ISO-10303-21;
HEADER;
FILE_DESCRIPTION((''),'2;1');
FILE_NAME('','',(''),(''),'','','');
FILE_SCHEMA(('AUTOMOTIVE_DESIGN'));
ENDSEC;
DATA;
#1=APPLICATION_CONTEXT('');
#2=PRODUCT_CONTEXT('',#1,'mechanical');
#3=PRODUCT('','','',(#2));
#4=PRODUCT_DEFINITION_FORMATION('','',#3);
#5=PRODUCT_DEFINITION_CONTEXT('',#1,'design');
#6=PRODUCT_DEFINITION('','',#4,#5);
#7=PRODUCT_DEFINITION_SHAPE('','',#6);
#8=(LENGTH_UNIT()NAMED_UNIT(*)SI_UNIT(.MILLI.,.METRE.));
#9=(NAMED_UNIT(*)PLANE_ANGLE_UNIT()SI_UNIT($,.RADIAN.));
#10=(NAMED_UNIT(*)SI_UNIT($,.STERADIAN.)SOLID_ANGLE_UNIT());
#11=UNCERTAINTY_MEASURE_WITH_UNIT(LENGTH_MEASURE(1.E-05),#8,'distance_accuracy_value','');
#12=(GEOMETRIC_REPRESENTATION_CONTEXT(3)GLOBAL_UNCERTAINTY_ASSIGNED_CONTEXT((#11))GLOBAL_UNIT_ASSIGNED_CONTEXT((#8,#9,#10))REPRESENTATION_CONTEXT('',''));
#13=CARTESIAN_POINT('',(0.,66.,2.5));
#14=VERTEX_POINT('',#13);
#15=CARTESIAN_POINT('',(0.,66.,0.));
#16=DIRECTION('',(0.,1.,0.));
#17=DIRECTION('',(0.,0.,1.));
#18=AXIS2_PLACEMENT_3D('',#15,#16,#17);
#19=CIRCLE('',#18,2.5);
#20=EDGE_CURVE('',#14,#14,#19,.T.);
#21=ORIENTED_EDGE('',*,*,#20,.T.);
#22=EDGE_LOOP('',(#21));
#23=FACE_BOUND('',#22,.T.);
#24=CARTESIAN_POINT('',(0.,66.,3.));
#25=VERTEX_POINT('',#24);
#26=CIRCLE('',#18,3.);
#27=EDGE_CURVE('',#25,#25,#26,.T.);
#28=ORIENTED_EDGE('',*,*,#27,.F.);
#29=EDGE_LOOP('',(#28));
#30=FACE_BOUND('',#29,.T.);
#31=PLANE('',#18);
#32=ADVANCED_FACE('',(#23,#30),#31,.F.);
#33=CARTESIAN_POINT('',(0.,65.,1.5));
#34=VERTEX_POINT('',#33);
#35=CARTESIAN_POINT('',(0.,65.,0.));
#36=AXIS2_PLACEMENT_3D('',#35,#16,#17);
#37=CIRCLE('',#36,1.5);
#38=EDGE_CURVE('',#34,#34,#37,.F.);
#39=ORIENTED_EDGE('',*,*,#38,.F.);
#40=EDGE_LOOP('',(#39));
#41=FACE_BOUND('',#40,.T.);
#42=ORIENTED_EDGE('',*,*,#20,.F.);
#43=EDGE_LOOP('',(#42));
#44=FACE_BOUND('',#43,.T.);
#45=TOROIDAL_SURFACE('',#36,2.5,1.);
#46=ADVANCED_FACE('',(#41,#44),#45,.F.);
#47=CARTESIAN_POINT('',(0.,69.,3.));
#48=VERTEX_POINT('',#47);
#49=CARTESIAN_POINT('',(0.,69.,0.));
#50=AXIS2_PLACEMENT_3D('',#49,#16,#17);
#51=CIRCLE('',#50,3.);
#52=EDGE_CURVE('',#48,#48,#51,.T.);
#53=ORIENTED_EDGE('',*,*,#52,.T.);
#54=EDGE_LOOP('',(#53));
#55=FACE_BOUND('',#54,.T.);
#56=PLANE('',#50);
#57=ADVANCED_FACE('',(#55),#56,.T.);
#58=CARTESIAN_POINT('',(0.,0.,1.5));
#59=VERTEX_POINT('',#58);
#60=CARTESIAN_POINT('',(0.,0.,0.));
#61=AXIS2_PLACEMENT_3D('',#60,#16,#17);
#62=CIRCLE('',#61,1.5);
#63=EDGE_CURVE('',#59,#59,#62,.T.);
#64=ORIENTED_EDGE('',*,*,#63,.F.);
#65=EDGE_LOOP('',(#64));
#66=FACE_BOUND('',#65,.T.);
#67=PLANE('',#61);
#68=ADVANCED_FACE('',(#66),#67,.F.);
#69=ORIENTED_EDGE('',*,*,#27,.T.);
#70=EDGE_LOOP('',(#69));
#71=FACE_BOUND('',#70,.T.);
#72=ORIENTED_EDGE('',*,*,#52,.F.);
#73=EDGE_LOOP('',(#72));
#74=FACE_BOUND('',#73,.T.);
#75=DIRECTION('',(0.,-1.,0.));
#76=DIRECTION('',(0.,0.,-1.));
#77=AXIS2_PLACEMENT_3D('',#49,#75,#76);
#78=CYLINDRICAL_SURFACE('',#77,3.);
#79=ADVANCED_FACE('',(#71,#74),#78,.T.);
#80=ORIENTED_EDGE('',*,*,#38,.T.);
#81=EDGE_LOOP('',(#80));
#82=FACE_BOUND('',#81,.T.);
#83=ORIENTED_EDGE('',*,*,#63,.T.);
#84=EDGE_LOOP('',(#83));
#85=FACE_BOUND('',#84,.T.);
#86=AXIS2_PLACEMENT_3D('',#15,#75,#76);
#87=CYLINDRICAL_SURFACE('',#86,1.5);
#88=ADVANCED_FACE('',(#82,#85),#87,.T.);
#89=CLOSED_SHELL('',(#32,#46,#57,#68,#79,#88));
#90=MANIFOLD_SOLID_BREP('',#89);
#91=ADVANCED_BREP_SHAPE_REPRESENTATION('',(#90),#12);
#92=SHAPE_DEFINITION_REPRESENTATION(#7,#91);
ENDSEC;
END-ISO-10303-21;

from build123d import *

# Parameters (mm, degrees)
SKETCH1_R           = 1.5
BOSS_EXTRUDE1_DEPTH = 66
SKETCH2_R           = 3
BOSS_EXTRUDE2_DEPTH = 3
FILLET1_R           = 1


with BuildPart() as part:
    # Sketch1 → Boss-Extrude1 (new body)
    with BuildSketch(Plane(origin=(0, 0, 0), x_dir=(1, 0, 0), z_dir=(0, 1, 0))):
        Circle(SKETCH1_R)
    extrude(amount=BOSS_EXTRUDE1_DEPTH)

    # Sketch2 → Boss-Extrude2 (add)
    with BuildSketch(Plane(origin=(0, 66, 0), x_dir=(1, 0, 0), z_dir=(0, 1, 0))):
        Circle(SKETCH2_R)
    extrude(amount=BOSS_EXTRUDE2_DEPTH)

    # Fillet1
    fillet1_edges = [part.edges().sort_by_distance(p)[0] for p in [
        (-1.5, 66, 0),
    ]]
    fillet(fillet1_edges, radius=FILLET1_R)


solid = part.part
